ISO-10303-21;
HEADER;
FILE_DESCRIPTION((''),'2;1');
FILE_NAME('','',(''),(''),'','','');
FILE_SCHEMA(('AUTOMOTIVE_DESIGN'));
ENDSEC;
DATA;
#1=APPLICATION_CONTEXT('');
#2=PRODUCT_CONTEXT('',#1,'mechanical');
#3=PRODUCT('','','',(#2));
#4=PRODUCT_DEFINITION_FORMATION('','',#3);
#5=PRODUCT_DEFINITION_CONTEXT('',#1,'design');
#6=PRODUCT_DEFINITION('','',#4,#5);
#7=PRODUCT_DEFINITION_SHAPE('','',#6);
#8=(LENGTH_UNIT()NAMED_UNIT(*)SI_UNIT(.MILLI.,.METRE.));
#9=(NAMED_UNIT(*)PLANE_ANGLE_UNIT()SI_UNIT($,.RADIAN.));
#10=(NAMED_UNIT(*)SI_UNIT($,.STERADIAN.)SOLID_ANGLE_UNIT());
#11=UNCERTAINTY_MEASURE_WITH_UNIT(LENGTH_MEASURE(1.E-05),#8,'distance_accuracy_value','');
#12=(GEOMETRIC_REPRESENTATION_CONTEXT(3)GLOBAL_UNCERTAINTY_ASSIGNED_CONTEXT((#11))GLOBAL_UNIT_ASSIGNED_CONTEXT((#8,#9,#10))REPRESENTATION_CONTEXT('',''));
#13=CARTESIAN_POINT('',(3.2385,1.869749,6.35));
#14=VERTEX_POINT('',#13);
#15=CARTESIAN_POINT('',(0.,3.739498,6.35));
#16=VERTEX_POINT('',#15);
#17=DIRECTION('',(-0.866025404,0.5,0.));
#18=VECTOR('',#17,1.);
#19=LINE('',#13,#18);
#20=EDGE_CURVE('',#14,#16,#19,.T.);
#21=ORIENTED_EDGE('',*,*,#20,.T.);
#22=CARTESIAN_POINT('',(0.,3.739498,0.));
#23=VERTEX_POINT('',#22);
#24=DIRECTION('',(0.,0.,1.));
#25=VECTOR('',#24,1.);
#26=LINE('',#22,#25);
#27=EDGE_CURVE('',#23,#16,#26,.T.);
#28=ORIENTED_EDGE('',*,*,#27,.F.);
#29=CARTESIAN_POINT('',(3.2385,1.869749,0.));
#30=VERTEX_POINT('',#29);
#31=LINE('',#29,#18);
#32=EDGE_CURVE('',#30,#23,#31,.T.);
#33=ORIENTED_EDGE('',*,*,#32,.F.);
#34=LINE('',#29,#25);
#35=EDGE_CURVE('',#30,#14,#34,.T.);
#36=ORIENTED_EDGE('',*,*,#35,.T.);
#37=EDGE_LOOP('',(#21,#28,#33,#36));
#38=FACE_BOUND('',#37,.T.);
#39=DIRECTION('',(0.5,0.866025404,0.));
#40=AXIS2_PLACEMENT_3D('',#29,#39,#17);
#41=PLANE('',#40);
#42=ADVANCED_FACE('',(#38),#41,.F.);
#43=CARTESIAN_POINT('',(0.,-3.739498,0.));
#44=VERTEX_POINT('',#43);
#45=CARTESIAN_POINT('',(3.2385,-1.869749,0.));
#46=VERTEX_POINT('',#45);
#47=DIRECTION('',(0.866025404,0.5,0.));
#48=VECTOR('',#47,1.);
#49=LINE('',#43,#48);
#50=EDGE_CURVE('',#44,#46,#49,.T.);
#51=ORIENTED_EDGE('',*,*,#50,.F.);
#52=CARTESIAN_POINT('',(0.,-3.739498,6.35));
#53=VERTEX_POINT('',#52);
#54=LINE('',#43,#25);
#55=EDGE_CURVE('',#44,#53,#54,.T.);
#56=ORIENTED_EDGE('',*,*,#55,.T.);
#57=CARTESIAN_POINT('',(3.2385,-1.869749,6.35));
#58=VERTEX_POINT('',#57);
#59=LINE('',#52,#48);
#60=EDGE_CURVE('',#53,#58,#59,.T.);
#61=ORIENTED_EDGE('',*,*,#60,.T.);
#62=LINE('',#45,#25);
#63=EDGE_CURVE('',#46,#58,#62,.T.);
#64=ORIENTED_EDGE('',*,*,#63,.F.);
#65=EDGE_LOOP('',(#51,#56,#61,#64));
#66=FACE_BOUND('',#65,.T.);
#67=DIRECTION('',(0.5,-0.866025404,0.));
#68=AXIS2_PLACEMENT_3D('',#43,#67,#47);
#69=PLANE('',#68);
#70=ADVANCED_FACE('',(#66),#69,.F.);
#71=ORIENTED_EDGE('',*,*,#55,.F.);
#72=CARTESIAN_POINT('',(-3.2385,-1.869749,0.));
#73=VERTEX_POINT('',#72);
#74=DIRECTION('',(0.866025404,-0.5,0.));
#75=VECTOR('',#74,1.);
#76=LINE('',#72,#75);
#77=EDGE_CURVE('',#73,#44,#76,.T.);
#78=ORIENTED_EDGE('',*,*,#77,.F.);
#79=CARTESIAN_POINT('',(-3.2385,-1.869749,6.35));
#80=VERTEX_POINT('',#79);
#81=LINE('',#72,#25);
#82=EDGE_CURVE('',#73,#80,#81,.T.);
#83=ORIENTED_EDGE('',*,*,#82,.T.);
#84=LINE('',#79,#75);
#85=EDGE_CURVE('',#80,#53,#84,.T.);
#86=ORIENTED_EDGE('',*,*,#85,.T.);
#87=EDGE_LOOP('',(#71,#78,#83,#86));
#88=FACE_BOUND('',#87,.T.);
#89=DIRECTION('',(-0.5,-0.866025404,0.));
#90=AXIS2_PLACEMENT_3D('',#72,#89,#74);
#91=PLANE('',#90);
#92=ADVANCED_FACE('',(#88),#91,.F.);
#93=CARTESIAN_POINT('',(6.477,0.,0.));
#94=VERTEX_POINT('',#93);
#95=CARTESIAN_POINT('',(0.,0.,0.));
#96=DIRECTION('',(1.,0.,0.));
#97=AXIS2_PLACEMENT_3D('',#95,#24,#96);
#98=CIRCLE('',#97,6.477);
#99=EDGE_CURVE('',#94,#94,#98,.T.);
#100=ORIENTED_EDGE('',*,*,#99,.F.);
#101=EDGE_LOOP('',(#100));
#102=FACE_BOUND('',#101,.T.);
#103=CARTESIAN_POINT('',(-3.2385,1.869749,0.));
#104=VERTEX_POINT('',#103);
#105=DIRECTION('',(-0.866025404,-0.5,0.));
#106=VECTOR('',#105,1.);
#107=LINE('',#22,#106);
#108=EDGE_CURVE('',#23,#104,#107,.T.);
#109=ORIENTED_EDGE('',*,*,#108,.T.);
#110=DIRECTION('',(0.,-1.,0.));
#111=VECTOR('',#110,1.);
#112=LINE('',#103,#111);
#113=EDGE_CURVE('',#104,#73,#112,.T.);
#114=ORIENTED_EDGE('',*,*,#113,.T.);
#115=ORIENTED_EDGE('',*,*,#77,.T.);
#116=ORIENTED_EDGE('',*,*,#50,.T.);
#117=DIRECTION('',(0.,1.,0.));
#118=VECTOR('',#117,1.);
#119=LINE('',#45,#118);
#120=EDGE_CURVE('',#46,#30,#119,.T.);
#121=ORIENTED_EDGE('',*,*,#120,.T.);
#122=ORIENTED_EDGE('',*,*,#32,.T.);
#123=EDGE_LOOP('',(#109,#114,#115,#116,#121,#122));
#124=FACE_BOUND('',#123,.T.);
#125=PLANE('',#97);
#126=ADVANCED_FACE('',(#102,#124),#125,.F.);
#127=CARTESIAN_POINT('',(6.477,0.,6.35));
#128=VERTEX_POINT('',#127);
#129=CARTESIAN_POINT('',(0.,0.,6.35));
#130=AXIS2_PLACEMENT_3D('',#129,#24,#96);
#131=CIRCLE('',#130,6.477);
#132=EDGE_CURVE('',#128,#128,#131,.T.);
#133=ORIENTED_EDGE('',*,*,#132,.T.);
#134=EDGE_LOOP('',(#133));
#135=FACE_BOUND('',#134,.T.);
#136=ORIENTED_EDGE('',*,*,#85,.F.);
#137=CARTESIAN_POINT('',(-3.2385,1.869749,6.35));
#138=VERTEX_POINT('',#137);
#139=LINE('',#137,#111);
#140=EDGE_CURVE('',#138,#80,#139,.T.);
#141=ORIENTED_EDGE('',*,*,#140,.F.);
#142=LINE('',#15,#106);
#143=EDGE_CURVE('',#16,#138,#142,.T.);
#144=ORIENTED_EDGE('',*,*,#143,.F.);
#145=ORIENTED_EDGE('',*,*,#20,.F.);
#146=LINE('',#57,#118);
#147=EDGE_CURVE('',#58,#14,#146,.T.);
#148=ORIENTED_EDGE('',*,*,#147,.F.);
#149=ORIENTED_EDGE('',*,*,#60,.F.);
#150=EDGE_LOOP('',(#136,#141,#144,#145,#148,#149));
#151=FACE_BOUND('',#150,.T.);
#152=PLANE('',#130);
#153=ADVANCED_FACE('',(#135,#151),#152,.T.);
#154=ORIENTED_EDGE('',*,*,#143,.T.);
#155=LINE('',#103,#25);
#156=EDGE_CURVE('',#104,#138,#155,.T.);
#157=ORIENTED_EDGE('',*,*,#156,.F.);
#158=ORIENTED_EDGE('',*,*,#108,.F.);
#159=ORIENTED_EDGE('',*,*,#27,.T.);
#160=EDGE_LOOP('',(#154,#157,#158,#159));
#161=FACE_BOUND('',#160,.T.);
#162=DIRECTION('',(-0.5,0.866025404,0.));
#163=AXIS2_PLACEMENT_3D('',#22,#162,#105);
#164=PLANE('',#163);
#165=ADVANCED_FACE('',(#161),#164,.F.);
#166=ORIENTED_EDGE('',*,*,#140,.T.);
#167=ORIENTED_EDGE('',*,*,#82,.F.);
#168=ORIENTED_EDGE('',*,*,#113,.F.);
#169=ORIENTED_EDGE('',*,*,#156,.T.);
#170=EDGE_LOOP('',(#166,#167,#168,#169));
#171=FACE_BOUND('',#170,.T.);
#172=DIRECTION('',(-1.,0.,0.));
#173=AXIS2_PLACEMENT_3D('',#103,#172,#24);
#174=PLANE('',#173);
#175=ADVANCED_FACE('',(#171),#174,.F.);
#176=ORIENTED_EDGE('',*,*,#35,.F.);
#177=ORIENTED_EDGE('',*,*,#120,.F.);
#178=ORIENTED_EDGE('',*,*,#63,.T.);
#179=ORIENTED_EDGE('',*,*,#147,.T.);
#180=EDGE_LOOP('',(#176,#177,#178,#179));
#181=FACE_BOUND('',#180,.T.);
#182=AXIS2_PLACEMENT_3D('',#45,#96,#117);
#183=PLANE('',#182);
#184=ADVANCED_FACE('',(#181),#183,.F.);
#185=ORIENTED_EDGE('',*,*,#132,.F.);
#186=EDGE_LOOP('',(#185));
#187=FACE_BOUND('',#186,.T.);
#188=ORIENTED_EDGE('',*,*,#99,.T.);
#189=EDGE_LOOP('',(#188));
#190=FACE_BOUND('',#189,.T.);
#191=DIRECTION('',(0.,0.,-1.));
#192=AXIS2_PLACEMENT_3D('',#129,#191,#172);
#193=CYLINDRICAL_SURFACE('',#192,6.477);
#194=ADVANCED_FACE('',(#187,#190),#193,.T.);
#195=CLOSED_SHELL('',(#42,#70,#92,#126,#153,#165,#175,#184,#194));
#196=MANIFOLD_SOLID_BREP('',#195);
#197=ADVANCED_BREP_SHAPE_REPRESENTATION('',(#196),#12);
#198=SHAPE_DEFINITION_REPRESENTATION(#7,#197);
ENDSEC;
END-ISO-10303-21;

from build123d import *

# Parameters (mm, degrees)
SKETCH1_R           = 6.477
BOSS_EXTRUDE1_DEPTH = 6.35
CUT_EXTRUDE1_DEPTH  = 7.35


with BuildPart() as part:
    # Sketch1 → Boss-Extrude1 (new body)
    with BuildSketch(Plane.XY):
        Circle(SKETCH1_R)
    extrude(amount=BOSS_EXTRUDE1_DEPTH)

    # Sketch2 → Cut-Extrude1 (cut, through all)
    with BuildSketch(Plane.XY.offset(6.35)):
        Polygon((3.2385, 1.869748847), (0, 3.739497694), (-3.2385, 1.869748847), (-3.2385, -1.869748847), (0, -3.739497694), (3.2385, -1.869748847), align=None)
    extrude(amount=-CUT_EXTRUDE1_DEPTH, mode=Mode.SUBTRACT)


solid = part.part
